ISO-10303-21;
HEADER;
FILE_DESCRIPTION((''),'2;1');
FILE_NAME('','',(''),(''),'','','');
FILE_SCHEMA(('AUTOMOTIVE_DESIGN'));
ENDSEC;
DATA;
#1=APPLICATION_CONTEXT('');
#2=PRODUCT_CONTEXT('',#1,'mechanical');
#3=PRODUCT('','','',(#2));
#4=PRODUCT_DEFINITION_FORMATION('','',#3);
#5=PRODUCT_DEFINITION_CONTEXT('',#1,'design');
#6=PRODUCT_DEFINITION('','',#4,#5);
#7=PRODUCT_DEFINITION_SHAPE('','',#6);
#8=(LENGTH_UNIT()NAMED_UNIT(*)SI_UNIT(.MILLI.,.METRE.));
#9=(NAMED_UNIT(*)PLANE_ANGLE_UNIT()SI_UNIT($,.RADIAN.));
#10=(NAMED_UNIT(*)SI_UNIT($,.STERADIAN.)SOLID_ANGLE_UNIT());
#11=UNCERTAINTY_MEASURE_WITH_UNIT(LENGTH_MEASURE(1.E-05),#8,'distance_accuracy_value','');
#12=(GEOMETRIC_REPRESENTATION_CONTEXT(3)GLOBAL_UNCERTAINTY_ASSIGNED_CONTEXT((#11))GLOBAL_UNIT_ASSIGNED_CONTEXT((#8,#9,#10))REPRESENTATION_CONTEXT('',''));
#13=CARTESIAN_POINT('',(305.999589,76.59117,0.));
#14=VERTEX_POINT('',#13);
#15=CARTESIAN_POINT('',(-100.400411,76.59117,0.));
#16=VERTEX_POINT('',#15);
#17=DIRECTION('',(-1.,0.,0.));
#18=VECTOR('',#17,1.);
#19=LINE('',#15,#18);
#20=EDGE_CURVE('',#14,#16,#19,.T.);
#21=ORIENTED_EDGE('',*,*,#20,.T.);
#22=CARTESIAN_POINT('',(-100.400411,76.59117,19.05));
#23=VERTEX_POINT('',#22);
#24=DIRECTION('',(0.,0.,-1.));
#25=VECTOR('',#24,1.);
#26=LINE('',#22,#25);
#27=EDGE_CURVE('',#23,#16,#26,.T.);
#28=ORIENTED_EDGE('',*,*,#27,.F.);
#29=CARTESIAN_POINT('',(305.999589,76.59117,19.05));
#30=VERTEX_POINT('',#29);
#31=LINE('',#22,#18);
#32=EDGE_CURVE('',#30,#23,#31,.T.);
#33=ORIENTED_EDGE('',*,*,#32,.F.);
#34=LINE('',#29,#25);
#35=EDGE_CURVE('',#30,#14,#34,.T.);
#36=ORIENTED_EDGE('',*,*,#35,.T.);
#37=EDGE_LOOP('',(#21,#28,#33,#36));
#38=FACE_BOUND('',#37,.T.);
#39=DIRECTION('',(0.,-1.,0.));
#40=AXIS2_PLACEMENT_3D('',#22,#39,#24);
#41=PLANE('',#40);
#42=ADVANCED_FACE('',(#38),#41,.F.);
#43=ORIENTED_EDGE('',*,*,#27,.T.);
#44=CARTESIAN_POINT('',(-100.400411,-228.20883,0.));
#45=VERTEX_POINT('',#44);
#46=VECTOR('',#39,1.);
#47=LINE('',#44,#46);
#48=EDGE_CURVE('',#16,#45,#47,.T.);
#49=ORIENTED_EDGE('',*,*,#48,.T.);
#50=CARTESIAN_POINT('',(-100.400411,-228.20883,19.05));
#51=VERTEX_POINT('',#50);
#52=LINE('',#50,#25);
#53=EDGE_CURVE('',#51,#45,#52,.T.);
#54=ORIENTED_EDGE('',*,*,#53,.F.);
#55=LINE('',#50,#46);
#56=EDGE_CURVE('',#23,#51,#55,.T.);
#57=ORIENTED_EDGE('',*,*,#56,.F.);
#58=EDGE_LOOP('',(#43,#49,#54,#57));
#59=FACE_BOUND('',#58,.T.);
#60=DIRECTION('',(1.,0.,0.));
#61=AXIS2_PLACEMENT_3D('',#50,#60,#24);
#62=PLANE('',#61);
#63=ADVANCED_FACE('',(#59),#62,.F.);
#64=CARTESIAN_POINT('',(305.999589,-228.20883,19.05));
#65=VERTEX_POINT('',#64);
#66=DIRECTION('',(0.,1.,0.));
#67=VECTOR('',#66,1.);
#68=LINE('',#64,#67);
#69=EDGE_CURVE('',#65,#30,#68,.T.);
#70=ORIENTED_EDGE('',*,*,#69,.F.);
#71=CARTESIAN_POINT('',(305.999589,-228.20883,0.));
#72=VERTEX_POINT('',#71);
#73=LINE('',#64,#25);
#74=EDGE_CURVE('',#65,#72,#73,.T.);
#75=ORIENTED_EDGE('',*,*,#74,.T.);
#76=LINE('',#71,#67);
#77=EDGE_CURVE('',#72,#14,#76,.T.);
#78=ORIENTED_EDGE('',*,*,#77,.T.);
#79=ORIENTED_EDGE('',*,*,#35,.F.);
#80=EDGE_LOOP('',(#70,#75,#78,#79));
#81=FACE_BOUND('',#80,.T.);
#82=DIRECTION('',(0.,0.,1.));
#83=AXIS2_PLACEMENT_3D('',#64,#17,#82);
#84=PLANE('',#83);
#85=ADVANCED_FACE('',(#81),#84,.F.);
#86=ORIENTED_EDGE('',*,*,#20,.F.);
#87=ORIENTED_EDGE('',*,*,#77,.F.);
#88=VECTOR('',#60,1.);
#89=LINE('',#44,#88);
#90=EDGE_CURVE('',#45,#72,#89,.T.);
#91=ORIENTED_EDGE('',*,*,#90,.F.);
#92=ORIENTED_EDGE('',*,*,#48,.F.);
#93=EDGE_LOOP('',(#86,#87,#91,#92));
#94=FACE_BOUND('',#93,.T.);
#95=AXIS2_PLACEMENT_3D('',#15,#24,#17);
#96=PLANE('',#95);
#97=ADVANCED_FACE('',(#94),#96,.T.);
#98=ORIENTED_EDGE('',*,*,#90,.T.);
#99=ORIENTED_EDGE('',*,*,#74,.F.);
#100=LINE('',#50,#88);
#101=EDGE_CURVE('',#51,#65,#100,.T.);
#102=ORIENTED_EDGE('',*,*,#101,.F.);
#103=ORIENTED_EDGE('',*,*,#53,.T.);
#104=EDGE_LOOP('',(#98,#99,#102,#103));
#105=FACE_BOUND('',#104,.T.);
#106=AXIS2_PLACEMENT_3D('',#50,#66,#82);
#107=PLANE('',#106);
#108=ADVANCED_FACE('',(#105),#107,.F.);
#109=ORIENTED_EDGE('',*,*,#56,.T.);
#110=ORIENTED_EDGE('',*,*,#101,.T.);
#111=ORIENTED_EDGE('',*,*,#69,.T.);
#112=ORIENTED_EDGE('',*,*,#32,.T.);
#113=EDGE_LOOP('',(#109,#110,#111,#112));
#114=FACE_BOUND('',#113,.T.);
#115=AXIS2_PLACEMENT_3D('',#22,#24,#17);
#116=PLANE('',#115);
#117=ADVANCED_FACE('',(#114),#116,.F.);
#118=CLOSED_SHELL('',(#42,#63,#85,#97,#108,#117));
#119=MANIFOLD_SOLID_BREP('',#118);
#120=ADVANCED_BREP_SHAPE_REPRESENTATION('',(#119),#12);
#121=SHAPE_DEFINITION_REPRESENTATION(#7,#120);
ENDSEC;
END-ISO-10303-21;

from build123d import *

# Parameters (mm, degrees)
SKETCH1_W          = 406.4
SKETCH1_H          = 304.8
BASE_EXTRUDE_DEPTH = 19.05


with BuildPart() as part:
    # Sketch1 → Base-Extrude (new body)
    with BuildSketch(Plane.XY):
        with Locations((102.799589322, -75.808829569)):
            Rectangle(SKETCH1_W, SKETCH1_H)
    extrude(amount=BASE_EXTRUDE_DEPTH)


solid = part.part
